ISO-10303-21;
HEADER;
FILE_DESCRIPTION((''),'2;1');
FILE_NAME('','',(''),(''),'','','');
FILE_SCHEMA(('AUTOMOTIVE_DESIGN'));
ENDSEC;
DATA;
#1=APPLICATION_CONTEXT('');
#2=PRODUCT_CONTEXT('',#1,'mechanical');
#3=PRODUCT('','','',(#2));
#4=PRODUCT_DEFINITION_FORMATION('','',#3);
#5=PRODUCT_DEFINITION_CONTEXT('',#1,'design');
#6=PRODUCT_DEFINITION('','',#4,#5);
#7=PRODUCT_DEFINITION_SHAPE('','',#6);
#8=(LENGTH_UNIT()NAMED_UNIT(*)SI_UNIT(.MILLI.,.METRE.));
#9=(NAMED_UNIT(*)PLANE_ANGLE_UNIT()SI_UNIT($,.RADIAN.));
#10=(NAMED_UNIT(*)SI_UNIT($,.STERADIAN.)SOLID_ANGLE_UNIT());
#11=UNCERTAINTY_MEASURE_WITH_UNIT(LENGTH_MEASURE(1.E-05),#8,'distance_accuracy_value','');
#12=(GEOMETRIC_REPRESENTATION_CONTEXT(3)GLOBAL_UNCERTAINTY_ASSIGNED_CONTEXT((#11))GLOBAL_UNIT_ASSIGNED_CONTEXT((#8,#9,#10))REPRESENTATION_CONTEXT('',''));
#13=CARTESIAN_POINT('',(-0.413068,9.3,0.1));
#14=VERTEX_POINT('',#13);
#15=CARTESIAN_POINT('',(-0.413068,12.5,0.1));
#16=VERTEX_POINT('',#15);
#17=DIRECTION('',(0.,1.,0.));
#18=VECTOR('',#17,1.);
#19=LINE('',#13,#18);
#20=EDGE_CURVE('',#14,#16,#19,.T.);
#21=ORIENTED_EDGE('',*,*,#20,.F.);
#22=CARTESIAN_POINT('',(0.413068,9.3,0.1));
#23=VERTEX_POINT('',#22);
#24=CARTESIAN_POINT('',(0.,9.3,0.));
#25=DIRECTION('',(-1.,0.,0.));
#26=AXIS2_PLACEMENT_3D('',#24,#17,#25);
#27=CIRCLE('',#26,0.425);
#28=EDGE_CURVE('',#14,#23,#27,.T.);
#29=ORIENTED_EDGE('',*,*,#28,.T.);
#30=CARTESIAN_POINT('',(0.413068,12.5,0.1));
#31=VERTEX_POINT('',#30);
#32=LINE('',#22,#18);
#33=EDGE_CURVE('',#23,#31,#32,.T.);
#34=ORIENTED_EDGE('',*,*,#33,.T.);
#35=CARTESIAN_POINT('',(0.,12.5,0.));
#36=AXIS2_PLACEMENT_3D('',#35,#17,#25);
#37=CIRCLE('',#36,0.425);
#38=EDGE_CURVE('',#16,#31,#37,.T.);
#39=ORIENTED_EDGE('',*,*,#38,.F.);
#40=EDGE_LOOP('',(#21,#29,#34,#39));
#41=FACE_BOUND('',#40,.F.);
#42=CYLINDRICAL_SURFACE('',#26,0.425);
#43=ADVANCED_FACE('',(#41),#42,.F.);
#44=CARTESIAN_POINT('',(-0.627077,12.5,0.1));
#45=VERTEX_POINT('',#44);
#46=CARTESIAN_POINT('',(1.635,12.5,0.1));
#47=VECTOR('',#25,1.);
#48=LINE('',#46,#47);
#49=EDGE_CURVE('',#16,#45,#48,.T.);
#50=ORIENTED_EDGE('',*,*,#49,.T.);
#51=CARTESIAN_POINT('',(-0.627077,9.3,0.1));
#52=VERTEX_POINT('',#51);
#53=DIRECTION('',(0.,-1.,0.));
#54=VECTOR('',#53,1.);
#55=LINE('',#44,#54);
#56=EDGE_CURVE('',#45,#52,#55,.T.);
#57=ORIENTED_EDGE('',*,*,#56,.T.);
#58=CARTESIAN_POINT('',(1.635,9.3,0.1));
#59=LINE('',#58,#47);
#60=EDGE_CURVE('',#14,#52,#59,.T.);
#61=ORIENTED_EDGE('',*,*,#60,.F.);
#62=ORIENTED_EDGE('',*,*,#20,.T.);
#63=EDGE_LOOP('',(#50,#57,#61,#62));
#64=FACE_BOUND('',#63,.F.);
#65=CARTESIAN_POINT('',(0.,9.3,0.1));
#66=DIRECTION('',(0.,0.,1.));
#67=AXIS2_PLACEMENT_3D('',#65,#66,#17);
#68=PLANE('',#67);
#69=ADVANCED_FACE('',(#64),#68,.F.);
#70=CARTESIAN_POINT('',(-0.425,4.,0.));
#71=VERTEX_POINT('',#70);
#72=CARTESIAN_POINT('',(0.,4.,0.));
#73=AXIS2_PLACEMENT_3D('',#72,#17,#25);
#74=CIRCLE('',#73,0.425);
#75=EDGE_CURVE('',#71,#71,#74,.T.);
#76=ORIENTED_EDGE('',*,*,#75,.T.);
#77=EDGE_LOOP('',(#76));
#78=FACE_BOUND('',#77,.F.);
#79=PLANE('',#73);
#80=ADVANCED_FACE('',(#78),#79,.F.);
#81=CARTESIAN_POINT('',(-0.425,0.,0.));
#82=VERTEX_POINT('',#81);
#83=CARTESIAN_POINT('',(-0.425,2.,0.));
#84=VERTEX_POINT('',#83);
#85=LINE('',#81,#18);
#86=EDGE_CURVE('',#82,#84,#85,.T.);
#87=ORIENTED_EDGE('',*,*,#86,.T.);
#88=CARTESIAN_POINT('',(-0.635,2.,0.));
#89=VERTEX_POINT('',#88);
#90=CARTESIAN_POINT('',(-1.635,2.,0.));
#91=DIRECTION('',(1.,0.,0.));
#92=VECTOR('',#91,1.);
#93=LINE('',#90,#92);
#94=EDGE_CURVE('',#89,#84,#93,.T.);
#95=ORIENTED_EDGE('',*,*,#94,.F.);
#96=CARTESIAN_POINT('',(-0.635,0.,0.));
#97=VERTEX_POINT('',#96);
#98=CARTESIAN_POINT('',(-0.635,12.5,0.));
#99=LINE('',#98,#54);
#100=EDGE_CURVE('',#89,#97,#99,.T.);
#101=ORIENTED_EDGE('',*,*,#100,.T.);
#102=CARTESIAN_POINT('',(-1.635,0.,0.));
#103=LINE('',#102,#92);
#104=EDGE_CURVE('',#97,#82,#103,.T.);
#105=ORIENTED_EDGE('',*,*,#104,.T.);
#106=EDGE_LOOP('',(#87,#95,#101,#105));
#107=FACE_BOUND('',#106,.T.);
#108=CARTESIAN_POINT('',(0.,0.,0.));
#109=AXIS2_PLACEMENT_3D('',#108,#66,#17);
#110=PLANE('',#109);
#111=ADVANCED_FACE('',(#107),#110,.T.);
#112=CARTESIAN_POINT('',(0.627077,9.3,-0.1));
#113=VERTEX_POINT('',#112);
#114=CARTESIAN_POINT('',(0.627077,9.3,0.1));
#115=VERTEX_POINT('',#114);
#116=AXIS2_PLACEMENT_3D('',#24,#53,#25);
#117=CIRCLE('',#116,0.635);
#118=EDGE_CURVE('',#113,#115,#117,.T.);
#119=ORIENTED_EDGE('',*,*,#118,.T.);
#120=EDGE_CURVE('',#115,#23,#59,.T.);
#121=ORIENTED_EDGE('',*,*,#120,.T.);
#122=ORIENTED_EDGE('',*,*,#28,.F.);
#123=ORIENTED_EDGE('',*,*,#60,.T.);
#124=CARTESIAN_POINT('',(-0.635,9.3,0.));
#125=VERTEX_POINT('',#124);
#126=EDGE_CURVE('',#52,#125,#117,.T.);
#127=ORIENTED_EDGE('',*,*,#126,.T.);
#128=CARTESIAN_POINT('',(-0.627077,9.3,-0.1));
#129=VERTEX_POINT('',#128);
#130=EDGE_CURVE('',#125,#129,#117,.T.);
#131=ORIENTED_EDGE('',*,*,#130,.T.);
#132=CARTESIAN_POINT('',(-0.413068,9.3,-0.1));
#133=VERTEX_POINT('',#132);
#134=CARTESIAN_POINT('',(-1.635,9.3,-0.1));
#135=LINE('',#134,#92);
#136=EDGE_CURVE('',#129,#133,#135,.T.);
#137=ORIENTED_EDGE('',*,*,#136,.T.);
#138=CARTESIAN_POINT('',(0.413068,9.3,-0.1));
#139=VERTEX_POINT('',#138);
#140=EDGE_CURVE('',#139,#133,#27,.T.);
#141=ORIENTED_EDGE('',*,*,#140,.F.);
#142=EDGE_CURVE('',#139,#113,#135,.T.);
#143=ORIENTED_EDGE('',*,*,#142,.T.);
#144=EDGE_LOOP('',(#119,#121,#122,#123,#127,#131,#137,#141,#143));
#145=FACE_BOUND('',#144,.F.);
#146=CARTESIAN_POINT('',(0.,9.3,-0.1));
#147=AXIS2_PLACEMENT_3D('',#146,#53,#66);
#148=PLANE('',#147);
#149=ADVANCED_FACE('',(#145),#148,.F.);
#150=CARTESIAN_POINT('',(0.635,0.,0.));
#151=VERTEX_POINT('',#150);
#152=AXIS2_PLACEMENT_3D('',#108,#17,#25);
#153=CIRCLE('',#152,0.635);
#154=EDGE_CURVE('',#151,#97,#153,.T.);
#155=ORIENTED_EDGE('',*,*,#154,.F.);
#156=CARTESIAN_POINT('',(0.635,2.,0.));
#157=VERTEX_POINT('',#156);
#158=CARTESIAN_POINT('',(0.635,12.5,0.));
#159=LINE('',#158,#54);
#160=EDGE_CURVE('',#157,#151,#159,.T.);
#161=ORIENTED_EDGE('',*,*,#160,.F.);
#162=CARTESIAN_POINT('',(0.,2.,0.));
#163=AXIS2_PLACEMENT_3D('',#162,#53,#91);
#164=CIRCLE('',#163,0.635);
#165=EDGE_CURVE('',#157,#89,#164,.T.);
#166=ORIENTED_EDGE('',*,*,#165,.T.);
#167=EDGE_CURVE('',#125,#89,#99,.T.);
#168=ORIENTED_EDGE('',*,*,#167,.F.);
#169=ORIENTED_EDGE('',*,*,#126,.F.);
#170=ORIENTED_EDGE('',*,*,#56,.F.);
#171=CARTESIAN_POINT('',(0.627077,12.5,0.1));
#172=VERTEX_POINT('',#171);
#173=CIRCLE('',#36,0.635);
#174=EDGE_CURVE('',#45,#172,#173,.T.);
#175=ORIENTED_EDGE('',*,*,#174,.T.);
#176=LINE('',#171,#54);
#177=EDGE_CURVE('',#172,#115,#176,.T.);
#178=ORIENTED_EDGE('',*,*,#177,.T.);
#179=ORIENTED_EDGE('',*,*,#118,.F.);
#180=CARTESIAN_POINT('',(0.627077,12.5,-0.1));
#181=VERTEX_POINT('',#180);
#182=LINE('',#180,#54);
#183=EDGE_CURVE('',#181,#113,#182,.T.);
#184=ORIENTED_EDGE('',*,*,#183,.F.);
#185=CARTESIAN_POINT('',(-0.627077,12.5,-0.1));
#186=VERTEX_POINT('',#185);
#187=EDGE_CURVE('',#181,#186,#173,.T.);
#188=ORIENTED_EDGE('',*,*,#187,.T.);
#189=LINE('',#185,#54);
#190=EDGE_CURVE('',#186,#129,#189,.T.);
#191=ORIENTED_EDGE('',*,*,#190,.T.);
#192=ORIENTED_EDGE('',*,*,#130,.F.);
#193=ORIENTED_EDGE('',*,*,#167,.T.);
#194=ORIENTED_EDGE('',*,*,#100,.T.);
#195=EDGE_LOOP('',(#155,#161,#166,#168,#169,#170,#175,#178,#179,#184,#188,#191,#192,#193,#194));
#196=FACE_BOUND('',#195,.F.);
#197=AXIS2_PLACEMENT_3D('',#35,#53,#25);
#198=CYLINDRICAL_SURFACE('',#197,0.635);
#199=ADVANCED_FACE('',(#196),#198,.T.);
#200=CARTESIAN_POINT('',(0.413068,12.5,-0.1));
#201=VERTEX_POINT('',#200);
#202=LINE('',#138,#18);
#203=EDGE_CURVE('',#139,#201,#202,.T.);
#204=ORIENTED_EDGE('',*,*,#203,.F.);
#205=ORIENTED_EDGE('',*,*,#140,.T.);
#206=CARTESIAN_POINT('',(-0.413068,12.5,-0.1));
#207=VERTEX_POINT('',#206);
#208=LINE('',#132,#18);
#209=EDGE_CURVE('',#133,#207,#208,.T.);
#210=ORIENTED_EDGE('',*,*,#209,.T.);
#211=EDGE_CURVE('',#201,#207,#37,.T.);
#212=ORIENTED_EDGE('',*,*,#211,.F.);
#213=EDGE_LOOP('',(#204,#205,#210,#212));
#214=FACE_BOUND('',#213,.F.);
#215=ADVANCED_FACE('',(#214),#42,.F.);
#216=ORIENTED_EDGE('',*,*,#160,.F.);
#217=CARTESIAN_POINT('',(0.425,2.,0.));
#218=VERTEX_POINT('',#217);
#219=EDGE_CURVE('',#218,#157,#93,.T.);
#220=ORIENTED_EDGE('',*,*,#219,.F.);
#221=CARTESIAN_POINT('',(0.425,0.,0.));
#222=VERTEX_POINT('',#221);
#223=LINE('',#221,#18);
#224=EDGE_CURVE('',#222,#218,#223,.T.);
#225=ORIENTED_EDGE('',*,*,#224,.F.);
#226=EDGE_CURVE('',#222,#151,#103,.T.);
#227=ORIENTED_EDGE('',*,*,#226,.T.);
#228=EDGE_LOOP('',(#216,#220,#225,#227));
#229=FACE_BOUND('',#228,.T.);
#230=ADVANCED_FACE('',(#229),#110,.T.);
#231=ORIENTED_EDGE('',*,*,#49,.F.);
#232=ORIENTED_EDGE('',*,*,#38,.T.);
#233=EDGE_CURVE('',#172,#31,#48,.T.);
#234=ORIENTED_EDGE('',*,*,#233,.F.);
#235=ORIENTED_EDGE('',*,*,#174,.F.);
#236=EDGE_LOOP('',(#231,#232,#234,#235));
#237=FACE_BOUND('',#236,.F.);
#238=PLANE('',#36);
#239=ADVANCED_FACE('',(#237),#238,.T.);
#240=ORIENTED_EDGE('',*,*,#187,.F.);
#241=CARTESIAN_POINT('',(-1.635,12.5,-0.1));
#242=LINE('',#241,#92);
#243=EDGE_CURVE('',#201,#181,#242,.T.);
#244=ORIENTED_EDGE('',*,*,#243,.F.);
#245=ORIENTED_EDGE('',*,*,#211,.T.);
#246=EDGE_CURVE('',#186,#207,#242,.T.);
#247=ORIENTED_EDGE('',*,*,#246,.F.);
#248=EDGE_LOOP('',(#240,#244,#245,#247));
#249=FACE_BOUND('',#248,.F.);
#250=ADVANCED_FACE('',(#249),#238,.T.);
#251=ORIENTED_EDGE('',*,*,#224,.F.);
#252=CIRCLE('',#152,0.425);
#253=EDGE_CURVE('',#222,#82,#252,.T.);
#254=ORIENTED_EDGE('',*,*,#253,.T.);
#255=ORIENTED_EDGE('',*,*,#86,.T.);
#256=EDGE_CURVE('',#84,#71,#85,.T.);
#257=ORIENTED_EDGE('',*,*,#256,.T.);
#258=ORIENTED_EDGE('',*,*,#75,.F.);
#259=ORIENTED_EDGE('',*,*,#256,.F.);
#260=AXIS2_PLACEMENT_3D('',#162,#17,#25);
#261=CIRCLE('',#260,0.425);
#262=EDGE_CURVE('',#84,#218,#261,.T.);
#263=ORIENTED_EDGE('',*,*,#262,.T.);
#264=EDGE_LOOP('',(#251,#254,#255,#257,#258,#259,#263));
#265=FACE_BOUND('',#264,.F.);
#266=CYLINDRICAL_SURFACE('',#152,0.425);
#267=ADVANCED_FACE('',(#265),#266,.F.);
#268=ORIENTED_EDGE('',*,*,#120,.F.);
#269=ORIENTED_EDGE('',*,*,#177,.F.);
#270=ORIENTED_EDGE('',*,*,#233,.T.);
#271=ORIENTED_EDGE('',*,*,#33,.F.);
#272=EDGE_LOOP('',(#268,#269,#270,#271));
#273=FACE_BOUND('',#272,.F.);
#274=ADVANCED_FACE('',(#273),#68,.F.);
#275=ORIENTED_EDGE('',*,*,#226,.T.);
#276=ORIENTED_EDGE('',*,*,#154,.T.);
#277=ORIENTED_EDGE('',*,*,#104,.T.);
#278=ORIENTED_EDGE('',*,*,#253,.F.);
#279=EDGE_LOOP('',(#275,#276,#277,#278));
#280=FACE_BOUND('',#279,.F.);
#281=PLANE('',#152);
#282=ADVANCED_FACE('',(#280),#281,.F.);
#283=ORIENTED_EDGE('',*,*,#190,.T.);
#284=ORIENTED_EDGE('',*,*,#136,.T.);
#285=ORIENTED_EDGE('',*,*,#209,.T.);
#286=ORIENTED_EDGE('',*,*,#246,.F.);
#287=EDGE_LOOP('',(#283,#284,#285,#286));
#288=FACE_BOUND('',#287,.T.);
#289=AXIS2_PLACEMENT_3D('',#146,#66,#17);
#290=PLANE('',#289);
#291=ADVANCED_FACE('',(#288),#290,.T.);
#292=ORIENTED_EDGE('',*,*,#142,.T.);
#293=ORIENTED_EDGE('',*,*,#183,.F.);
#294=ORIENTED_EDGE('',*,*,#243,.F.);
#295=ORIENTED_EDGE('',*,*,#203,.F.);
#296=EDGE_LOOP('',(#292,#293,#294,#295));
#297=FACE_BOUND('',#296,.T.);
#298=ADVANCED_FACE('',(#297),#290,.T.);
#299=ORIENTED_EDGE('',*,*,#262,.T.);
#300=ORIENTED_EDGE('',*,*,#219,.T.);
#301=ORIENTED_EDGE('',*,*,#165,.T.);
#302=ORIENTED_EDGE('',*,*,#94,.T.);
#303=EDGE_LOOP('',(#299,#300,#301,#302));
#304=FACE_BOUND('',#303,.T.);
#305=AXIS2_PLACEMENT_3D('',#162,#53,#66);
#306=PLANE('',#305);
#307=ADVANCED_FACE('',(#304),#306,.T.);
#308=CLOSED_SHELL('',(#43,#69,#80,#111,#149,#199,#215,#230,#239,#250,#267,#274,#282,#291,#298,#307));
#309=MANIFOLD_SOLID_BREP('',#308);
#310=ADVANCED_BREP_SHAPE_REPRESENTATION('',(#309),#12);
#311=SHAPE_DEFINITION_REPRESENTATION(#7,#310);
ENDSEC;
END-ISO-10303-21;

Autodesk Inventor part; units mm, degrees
ref_plane "YZ Plane" through (0, 0, 0) normal (1, 0, 0) x (0, 1, 0)
ref_plane "XZ Plane" through (0, 0, 0) normal (0, 1, 0) x (-1, 0, 0)
ref_plane "XY Plane" through (0, 0, 0) normal (0, 0, 1) x (1, 0, 0)
sketch "Sketch1" plane through (0, 0, 0) normal (0, 0, 1) x (1, 0, 0)
  line L0 (0, 9.3) -> (-0.425, 9.3)
  line L1 (-0.425, 9.3) -> (-0.425, 12.5)
  line L2 (-0.425, 12.5) -> (-0.635, 12.5)
  line L3 (-0.635, 12.5) -> (-0.635, 0)
  line L4 (-0.635, 0) -> (-0.425, 0)
  line L5 (-0.425, 0) -> (-0.425, 4)
  line L6 (-0.425, 4) -> (0, 4)
  line L7 (0, 4) -> (0, 9.3)
  point P0 (0, 0)
  dimension "d0" = 0.635
  dimension "d1" = 12.5
  dimension "d2" = 4
  dimension "d3" = 3.2
  dimension "d4" = 0.425
revolve "Revolution1" add sketch "Sketch1" angle 360 about axis through (0, 4, 0) along (0, 1, 0)
sketch "Sketch2" plane through (0, 0, 0) normal (1, 0, 0) x (0, 1, 0)
  line L0 (9.3, -0.425) -> (9.3, 0.425) projected
  line L1 (9.3, -0.1) -> (12.5, -0.1)
  line L2 (12.5, -0.425) -> (12.5, 0.425) projected
  line L3 (9.3, 0.1) -> (12.5, 0.1)
  line L4 (9.3, -0.1) -> (9.3, 0.1)
  line L5 (12.5, -0.1) -> (12.5, 0.1)
  point P0 (0, 0)
  dimension "d6" = 0.2
  dimension "d7" = 0.1
extrude "Extrusion1" cut sketch "Sketch2" along normal through all both and the other way through all
sketch "Sketch3" plane through (0, 0, 0) normal (1, 0, 0) x (0, 1, 0)
  line L0 (0, 0) -> (2, 0)
  line L1 (0, 0.635) -> (12.5, 0.635) projected
  line L2 (2, 0) -> (2, 0.635)
  line L3 (0, -0.635) -> (0, 0.635) projected
  line L4 (0, 0) -> (0, 0.635)
  line L5 (2, 0.635) -> (0, 0.635)
  dimension "d10" = 2
extrude "Extrusion2" cut sketch "Sketch3" along normal through all both and the other way through all
properties part number "SMA-PanelMount-Ni-AuPlated-Pin" material "Brass"
